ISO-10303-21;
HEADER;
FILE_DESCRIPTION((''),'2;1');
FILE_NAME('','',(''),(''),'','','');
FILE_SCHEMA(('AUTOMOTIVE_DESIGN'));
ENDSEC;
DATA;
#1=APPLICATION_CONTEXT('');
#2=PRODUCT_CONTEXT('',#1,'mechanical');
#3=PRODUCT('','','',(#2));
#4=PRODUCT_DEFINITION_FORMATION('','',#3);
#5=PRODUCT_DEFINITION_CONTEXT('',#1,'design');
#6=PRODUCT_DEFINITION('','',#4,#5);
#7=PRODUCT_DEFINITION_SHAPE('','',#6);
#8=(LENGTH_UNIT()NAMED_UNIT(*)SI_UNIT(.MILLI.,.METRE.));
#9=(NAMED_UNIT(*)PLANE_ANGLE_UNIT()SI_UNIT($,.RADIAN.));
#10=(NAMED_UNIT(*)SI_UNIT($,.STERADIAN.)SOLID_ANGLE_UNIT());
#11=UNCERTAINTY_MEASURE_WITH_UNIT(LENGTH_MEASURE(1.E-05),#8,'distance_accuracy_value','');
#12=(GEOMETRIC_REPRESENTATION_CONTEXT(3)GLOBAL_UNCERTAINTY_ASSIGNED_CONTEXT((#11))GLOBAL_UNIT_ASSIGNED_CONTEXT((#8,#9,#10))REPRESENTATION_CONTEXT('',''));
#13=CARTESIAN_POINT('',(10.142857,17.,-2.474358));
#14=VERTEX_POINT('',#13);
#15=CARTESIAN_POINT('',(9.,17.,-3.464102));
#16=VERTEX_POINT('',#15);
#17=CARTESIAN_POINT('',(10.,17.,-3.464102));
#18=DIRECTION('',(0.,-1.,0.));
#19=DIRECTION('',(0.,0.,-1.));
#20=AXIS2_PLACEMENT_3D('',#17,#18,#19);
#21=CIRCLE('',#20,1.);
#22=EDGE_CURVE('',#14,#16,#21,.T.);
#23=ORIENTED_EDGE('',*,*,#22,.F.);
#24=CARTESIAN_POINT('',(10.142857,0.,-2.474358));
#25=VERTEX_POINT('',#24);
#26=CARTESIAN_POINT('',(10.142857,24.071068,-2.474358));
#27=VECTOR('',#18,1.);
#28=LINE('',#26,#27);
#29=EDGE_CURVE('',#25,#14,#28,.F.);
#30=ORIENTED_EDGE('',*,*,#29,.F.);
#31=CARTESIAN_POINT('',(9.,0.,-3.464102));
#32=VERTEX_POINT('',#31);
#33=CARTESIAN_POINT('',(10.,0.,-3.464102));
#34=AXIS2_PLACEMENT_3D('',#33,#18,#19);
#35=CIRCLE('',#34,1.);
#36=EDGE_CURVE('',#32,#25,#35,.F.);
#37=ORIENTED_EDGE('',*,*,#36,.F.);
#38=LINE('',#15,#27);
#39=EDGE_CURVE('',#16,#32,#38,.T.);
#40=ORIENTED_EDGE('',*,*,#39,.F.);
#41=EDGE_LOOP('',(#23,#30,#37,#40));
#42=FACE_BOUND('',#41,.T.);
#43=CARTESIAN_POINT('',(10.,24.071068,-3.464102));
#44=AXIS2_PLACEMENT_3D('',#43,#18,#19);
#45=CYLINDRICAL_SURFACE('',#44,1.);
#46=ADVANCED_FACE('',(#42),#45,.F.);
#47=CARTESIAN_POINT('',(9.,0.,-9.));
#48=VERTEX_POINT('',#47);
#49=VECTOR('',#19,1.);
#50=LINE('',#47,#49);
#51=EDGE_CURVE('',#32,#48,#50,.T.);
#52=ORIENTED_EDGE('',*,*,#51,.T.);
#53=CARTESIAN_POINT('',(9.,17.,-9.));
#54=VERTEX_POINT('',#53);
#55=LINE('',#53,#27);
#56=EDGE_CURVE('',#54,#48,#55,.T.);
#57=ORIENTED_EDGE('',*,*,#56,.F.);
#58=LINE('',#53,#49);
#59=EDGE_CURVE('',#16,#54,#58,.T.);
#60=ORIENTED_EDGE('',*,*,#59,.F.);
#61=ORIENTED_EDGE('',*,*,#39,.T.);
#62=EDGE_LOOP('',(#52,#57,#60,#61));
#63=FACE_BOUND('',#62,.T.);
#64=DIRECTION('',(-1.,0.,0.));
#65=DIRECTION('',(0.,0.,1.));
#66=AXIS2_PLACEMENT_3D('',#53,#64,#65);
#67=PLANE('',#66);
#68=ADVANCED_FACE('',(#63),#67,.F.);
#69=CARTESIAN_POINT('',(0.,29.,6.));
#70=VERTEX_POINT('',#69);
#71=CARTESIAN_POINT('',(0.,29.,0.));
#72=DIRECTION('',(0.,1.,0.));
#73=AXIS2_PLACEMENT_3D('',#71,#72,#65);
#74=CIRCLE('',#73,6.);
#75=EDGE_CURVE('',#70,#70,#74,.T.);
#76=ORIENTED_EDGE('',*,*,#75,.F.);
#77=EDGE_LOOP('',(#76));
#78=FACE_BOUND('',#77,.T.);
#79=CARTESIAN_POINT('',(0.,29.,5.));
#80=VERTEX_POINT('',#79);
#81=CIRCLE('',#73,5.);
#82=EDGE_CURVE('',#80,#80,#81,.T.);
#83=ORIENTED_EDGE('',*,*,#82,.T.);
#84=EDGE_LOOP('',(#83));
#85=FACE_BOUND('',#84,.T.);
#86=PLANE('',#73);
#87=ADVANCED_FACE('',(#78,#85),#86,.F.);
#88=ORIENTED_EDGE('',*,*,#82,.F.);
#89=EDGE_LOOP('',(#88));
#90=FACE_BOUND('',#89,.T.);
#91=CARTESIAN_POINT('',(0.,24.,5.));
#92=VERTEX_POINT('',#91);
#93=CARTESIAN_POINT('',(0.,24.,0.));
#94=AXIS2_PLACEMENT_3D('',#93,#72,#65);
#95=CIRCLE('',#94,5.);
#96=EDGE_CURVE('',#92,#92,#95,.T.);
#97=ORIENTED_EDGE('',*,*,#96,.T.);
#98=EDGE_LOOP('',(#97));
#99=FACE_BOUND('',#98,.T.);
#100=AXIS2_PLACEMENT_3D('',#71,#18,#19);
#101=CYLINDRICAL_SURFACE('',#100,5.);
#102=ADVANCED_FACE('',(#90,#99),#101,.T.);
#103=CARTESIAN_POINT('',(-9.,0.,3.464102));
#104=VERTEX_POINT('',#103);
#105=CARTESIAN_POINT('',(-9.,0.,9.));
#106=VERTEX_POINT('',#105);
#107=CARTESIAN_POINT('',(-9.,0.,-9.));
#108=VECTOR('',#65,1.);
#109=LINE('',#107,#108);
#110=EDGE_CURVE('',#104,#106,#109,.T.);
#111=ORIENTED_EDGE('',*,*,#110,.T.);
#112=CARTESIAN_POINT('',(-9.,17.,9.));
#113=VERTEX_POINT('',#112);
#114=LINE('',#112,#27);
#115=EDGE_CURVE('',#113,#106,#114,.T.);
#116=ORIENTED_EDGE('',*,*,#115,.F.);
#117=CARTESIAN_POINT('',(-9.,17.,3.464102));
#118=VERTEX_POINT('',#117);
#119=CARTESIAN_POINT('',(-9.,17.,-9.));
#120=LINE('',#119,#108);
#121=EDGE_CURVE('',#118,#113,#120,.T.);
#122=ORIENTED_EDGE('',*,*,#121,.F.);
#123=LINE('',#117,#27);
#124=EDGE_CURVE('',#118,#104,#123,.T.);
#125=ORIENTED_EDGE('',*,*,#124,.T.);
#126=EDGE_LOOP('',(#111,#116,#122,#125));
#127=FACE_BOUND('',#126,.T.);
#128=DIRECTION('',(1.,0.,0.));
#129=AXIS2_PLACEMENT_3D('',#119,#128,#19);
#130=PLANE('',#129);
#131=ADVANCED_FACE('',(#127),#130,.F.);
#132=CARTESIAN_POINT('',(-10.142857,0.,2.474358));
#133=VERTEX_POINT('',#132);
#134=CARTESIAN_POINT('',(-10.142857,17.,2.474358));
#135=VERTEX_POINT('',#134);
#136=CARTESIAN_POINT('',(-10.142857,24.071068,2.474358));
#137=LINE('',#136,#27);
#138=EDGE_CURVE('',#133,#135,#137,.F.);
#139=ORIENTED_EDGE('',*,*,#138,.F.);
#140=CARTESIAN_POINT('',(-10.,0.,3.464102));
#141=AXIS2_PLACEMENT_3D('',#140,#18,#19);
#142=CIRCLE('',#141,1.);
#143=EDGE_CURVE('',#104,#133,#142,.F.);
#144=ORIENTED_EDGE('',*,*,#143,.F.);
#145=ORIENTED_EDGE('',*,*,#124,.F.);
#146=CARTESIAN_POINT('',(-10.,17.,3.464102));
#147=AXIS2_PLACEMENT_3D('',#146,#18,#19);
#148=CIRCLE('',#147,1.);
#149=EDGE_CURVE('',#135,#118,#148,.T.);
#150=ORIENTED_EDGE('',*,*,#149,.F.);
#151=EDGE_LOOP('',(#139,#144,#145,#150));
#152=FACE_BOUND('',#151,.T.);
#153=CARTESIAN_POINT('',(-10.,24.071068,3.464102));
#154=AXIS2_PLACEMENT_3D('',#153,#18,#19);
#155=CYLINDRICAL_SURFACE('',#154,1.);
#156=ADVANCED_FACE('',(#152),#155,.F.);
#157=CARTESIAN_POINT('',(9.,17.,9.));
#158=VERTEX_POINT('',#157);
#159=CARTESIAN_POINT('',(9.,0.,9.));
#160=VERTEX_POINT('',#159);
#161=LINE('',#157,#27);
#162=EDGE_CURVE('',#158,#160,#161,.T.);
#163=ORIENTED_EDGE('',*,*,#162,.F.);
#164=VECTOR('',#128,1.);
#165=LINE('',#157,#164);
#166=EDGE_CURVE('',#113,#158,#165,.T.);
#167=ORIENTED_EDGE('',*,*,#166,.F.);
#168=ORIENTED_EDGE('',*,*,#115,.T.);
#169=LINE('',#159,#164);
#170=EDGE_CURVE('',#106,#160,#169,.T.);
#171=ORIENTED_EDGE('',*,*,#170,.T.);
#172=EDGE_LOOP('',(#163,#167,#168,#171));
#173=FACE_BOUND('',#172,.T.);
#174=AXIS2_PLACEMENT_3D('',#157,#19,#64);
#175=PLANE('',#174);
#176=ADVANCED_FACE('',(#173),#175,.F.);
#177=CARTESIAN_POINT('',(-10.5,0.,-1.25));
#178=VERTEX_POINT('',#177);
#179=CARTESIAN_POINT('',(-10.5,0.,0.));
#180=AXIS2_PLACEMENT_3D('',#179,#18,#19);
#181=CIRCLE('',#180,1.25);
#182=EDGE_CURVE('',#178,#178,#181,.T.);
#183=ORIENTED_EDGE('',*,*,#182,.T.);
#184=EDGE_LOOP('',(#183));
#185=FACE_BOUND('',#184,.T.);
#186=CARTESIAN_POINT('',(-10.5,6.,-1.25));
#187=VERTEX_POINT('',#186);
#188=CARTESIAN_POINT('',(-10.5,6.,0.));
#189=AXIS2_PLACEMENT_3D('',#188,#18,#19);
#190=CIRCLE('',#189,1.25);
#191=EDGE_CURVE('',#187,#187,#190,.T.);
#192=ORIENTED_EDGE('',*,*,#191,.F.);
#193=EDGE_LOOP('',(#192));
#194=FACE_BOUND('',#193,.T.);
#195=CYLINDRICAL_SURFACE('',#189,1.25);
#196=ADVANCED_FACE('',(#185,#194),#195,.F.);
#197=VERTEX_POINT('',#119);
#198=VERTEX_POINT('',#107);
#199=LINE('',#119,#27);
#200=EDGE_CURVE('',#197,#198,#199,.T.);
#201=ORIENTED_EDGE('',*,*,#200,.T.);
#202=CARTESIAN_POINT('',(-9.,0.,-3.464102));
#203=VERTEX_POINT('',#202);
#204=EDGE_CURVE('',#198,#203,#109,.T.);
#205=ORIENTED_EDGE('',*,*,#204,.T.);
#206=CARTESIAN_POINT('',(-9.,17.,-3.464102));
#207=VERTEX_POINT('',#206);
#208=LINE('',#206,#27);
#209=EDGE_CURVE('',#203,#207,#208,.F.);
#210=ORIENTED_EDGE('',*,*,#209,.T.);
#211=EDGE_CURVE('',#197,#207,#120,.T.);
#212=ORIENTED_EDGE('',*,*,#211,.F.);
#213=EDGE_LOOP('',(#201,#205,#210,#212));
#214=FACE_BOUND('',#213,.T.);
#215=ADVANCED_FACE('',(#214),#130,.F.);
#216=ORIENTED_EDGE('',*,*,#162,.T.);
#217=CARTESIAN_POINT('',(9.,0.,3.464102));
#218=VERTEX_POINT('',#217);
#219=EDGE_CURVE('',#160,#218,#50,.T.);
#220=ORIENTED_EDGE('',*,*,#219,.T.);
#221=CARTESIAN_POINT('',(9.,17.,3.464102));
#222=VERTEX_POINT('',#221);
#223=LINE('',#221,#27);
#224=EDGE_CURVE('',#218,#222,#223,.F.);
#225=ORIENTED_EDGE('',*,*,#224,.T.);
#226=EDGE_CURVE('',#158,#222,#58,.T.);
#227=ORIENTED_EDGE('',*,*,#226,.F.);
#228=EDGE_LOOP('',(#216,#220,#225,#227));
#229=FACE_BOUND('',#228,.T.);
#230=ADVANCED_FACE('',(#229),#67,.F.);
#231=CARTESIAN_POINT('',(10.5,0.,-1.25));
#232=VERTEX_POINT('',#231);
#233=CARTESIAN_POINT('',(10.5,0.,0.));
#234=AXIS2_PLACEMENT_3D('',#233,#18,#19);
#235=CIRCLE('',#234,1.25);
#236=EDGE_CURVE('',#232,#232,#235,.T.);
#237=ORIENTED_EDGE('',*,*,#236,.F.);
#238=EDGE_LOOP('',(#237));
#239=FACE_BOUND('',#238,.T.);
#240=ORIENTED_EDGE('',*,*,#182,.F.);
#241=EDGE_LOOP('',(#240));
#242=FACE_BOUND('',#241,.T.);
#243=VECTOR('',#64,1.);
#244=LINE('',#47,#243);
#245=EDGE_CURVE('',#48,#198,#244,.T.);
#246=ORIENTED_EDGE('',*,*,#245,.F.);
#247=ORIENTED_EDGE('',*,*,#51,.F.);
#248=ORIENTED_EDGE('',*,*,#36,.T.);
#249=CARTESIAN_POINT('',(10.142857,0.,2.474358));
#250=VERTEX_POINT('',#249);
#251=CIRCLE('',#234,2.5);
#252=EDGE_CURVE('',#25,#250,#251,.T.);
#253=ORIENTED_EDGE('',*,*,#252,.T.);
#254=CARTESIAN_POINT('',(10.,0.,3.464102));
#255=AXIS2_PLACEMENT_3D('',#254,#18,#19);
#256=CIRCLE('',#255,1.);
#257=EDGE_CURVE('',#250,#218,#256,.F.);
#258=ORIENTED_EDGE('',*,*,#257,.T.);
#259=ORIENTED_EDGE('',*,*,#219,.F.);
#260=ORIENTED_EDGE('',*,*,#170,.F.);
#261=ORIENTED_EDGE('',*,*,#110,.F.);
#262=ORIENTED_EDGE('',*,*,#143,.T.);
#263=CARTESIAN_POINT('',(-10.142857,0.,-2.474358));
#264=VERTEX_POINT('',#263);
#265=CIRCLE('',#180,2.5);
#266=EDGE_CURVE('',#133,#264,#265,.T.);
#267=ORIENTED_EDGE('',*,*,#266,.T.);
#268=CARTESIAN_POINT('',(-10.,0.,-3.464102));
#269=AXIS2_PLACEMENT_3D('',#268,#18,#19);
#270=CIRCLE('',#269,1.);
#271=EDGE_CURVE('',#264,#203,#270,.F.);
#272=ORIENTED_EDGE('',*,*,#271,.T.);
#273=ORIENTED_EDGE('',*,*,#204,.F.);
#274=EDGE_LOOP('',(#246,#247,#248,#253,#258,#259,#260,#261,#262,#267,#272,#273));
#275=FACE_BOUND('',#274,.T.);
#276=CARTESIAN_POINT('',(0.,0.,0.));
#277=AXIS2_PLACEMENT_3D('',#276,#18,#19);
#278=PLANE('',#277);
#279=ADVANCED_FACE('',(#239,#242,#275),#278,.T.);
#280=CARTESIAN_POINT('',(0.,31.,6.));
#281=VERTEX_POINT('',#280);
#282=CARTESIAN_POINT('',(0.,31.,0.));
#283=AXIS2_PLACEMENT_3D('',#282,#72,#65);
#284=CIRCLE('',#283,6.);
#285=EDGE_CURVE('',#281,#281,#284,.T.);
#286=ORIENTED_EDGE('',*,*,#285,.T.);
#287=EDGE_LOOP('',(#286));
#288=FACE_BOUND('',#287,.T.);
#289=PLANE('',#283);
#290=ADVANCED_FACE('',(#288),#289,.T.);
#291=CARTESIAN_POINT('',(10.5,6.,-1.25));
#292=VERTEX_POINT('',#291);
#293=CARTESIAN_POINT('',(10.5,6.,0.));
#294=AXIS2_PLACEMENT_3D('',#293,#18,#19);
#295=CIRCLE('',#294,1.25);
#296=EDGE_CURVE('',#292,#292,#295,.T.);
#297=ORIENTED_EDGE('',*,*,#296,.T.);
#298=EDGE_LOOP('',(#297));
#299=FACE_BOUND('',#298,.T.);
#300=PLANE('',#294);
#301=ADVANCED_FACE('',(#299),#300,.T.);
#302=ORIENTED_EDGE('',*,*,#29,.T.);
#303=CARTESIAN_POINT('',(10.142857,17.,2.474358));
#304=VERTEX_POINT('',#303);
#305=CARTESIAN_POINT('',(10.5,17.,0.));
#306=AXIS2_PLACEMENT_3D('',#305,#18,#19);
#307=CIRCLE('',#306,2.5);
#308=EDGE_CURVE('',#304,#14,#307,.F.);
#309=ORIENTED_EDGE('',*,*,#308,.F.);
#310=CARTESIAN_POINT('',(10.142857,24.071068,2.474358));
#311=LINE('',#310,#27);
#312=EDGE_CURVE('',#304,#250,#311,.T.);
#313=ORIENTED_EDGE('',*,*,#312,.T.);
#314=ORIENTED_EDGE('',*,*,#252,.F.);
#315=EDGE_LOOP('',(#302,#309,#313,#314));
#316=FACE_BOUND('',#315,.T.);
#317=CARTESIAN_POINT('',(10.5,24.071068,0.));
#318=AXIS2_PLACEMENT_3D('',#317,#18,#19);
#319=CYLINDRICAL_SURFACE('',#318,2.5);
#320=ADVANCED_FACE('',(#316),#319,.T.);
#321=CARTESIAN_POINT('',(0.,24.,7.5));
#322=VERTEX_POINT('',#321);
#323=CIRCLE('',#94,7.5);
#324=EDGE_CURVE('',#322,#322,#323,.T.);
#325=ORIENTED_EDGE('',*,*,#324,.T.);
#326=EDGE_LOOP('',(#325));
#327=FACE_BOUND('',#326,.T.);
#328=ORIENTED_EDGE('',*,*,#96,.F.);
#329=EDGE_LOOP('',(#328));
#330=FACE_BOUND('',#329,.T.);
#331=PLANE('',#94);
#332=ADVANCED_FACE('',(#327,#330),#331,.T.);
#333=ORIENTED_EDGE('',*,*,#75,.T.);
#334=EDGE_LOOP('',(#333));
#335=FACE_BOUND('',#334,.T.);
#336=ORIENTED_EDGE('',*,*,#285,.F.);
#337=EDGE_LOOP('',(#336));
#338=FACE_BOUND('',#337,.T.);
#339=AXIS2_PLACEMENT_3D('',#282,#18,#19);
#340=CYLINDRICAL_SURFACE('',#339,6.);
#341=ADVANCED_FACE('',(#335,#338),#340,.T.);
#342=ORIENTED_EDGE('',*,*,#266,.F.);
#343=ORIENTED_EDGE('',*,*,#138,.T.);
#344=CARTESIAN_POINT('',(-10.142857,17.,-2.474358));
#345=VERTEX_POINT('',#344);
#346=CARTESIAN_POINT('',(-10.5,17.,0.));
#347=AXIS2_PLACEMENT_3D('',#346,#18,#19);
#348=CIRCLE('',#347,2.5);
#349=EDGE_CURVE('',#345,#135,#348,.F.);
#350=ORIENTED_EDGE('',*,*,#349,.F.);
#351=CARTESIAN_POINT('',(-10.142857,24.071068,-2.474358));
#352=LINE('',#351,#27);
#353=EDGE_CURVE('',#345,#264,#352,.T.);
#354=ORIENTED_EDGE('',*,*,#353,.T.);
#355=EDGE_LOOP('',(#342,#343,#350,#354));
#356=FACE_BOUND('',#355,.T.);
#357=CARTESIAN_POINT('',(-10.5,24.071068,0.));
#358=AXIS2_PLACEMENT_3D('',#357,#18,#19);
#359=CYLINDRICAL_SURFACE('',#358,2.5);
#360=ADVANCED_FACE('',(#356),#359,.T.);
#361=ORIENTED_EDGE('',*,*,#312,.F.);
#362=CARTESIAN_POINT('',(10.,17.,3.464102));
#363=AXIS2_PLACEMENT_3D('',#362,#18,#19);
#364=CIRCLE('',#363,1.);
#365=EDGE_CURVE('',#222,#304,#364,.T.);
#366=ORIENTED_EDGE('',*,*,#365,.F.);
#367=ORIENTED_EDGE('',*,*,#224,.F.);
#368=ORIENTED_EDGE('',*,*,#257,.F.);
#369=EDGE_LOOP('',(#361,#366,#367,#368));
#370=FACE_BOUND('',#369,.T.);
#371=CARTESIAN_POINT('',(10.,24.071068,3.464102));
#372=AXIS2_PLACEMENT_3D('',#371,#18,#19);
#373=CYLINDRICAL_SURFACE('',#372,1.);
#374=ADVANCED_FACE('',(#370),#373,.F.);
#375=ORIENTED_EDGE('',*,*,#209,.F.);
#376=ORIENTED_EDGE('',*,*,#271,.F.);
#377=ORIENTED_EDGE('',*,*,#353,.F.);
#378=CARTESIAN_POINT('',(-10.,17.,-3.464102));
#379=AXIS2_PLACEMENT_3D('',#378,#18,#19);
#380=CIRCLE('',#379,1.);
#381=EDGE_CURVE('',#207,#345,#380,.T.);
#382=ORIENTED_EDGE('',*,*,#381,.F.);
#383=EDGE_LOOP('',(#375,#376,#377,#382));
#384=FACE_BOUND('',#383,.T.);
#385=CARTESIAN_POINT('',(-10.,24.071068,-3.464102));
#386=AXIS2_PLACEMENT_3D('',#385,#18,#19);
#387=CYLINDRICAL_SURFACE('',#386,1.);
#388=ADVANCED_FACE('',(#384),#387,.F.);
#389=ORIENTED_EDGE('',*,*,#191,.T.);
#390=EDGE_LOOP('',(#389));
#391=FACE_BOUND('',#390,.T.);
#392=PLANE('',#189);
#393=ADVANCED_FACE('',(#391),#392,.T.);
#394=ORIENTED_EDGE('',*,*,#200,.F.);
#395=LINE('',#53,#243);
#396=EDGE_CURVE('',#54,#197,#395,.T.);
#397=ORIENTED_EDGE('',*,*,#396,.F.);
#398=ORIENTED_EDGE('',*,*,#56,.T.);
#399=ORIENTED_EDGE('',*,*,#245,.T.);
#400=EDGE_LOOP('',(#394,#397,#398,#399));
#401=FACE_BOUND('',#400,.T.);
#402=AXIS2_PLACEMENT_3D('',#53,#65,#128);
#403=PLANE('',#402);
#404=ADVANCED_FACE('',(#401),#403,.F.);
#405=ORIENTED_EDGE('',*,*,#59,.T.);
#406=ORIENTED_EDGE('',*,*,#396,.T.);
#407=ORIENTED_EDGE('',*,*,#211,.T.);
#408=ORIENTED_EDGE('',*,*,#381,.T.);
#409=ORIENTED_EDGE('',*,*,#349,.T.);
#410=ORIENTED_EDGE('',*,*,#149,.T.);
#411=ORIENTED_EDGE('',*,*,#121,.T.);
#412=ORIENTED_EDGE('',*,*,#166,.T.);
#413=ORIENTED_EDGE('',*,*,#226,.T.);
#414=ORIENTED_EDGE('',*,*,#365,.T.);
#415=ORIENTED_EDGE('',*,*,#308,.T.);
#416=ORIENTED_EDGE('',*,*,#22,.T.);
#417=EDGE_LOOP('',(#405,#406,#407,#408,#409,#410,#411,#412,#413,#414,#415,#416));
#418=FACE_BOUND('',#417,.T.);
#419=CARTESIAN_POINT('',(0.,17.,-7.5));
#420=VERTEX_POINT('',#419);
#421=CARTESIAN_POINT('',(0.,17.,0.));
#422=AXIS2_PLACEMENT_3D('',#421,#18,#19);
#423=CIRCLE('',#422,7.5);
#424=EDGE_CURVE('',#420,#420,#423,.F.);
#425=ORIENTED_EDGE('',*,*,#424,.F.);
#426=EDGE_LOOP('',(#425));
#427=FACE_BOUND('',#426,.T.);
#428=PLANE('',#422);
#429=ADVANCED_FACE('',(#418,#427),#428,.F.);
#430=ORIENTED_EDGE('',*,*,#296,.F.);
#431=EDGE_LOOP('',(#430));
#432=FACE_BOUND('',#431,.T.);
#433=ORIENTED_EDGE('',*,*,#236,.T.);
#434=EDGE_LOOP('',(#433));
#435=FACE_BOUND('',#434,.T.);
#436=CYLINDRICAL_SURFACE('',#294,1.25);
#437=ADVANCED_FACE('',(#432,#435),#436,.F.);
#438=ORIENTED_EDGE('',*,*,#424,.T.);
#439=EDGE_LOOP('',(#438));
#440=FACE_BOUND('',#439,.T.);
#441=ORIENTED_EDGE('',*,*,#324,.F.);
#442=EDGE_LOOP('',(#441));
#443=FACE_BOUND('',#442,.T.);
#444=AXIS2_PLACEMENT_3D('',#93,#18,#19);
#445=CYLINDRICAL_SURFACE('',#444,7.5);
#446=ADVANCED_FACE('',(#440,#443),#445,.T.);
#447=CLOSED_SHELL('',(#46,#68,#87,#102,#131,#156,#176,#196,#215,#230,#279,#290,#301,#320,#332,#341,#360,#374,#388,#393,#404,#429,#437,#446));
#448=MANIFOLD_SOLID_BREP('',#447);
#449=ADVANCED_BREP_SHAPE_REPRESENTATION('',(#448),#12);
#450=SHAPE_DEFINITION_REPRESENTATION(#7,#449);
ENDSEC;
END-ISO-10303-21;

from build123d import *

# Parameters (mm, degrees)
SKETCH1_W           = 18
SKETCH1_H           = 18
BOSS_EXTRUDE1_DEPTH = 17
SKETCH2_R           = 7.5
BOSS_EXTRUDE2_DEPTH = 7
SKETCH3_R           = 5
BOSS_EXTRUDE3_DEPTH = 5
SKETCH4_R           = 6
BOSS_EXTRUDE4_DEPTH = 2
SKETCH5_R           = 2.5
BOSS_EXTRUDE5_DEPTH = 17
FILLET1_R           = 1
SKETCH6_R           = 1.25
CUT_EXTRUDE1_DEPTH  = 6


with BuildPart() as part:
    # Sketch1 → Boss-Extrude1 (new body)
    with BuildSketch(Plane(origin=(0, 0, 0), x_dir=(1, 0, 0), z_dir=(0, 1, 0))):
        Rectangle(SKETCH1_W, SKETCH1_H)
    extrude(amount=BOSS_EXTRUDE1_DEPTH)

    # Sketch2 → Boss-Extrude2 (add)
    with BuildSketch(Plane(origin=(0, 17, 0), x_dir=(1, 0, 0), z_dir=(0, 1, 0))):
        with Locations(Location((0, 0, 0), (0, 0, 90))):
            Circle(SKETCH2_R)
    extrude(amount=BOSS_EXTRUDE2_DEPTH)

    # Sketch3 → Boss-Extrude3 (add)
    with BuildSketch(Plane(origin=(0, 24, 0), x_dir=(1, 0, 0), z_dir=(0, 1, 0))):
        with Locations(Location((0, 0, 0), (0, 0, 270))):
            Circle(SKETCH3_R)
    extrude(amount=BOSS_EXTRUDE3_DEPTH)

    # Sketch4 → Boss-Extrude4 (add)
    with BuildSketch(Plane(origin=(0, 29, 0), x_dir=(1, 0, 0), z_dir=(0, 1, 0))):
        with Locations(Location((0, 0, 0), (0, 0, 270))):
            Circle(SKETCH4_R)
    extrude(amount=BOSS_EXTRUDE4_DEPTH)

    # Sketch5 → Boss-Extrude5 (add)
    with BuildSketch(Plane.XZ):
        with Locations((-10.5, 0)):
            Circle(SKETCH5_R)
        with Locations((10.5, 0)):
            Circle(SKETCH5_R)
    extrude(amount=-BOSS_EXTRUDE5_DEPTH)

    # Fillet1
    fillet1_edges = [part.edges().sort_by_distance(p)[0] for p in [
        (-9, 8.5, 2),
        (-9, 8.5, -2),
        (9, 8.5, -2),
        (9, 8.5, 2),
    ]]
    fillet(fillet1_edges, radius=FILLET1_R)

    # Sketch6 → Cut-Extrude1 (cut)
    with BuildSketch(Plane.XZ):
        with Locations(Location((-10.5, 0, 0), (0, 0, 270))):
            Circle(SKETCH6_R)
        with Locations(Location((10.5, 0, 0), (0, 0, 270))):
            Circle(SKETCH6_R)
    extrude(amount=-CUT_EXTRUDE1_DEPTH, mode=Mode.SUBTRACT)


solid = part.part
